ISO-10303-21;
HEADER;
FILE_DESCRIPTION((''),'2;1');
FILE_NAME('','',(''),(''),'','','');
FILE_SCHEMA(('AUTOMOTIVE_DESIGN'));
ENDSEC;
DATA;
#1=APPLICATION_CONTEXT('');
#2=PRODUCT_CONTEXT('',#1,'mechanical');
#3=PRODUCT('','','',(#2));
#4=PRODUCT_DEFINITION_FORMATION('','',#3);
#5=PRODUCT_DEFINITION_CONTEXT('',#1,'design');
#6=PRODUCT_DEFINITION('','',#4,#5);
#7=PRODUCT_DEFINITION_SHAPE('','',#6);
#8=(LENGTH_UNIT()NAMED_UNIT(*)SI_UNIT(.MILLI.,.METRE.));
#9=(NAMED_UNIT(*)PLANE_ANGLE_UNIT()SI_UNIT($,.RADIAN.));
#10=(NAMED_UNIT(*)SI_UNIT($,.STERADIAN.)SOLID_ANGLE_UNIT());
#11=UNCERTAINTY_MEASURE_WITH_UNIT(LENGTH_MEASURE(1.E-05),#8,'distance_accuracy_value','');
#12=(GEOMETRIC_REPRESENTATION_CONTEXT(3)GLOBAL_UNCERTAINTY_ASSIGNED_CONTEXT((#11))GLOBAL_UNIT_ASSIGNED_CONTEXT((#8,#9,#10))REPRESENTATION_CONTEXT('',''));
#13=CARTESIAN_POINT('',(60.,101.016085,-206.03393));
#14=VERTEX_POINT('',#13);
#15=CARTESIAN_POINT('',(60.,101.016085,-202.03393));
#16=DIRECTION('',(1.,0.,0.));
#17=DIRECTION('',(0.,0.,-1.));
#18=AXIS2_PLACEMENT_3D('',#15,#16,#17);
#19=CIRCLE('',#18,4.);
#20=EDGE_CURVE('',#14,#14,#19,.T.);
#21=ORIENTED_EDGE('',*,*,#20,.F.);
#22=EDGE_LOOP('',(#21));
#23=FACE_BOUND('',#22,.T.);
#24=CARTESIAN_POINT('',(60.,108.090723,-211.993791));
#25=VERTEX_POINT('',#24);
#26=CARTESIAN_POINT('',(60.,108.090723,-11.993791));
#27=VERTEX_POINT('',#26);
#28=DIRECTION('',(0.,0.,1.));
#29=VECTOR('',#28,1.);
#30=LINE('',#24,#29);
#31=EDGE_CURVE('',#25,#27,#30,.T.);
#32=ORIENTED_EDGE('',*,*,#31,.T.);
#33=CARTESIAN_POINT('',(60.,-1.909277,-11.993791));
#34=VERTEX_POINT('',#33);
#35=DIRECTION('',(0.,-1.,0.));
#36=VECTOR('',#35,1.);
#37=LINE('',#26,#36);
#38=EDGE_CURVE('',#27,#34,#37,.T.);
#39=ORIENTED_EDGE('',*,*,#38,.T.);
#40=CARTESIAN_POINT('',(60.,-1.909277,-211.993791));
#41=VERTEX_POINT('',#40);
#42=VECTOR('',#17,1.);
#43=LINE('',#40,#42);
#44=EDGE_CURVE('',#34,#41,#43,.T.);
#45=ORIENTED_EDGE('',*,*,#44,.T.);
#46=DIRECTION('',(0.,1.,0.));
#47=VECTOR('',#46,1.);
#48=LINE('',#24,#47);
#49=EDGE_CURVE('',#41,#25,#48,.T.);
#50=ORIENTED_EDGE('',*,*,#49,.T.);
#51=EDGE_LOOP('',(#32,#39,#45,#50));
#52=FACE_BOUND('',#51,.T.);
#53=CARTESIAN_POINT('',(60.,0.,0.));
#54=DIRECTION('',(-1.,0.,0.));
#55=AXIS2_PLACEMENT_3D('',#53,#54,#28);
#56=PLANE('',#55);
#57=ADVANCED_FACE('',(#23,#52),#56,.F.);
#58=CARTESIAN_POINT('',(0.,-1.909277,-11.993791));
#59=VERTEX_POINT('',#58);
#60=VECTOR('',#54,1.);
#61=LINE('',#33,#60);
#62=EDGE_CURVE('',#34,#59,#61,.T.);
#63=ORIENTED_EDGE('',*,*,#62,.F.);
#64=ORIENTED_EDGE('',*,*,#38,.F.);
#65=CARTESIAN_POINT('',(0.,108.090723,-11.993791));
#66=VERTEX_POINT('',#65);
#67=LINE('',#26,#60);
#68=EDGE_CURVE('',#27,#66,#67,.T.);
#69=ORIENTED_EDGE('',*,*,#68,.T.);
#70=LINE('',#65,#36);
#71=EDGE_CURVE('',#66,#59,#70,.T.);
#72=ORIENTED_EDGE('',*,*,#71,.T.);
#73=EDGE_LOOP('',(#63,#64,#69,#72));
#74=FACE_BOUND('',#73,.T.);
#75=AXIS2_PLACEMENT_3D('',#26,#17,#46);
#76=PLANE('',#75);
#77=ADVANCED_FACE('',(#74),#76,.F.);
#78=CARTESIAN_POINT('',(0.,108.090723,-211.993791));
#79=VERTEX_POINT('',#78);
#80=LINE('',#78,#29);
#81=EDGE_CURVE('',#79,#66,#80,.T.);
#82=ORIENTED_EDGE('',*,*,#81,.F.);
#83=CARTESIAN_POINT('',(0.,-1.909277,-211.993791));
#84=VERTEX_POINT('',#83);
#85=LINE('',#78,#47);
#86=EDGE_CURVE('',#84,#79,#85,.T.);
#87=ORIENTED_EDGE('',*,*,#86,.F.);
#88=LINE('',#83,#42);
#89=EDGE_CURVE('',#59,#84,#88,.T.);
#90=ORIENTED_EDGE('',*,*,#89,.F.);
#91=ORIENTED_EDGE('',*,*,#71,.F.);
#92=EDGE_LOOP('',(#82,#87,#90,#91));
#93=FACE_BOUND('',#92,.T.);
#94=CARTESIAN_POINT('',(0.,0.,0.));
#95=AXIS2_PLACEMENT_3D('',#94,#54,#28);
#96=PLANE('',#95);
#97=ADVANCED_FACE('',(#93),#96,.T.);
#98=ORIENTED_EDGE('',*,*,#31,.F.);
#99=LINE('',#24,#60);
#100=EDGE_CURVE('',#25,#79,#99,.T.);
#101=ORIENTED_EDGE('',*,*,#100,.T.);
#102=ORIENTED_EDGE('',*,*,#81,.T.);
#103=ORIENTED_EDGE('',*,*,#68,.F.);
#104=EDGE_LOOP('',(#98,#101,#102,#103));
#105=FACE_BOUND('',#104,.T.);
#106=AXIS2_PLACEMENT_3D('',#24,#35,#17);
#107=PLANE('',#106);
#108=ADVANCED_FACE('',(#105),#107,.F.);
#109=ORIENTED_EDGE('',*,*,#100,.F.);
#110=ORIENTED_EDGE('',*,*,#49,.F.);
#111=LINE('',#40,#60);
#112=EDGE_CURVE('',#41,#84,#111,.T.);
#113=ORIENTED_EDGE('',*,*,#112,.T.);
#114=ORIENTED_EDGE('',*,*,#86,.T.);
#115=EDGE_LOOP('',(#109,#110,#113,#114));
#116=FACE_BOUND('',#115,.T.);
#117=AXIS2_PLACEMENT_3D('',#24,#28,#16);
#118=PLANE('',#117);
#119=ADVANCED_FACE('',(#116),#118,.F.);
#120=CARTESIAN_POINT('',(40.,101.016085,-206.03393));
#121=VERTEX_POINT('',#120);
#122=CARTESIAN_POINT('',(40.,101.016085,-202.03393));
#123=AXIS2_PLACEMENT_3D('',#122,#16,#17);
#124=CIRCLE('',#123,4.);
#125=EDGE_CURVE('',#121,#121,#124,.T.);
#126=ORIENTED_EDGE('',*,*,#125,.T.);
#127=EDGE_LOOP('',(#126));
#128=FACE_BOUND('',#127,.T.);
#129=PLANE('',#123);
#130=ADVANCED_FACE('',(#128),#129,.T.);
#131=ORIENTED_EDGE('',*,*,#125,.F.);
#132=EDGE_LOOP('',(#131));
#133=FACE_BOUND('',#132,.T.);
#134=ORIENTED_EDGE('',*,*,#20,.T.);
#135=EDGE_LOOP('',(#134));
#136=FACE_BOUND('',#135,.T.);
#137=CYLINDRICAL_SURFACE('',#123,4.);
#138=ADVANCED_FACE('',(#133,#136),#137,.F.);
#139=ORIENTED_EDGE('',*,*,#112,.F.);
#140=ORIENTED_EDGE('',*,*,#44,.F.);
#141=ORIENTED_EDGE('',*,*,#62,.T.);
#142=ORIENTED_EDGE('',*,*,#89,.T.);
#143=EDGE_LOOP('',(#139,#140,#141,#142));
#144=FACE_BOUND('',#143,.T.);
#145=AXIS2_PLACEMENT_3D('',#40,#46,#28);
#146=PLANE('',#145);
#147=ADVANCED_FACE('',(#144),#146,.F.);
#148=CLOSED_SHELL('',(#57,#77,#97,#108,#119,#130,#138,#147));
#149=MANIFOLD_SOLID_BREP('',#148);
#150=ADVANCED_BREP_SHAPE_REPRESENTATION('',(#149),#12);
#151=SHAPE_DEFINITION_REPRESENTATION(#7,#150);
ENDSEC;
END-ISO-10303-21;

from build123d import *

# Parameters (mm, degrees)
SKETCH_1_W          = 200
SKETCH_1_H          = 110
EXTRUDE_1_DEPTH     = 60
SKETCH_3_R          = 4
CUT_EXTRUDE_2_DEPTH = 20


with BuildPart() as part:
    # Эскиз1 → Бобышка-Вытянуть1 (new body)
    with BuildSketch(Plane(origin=(0, 0, 0), x_dir=(0, 0, -1), z_dir=(1, 0, 0))):
        with Locations((111.99379123, 53.09072323)):
            Rectangle(SKETCH_1_W, SKETCH_1_H)
    extrude(amount=EXTRUDE_1_DEPTH)

    # Эскиз3 → Вырез-Вытянуть2 (cut)
    with BuildSketch(Plane(origin=(60, 0, 0), x_dir=(0, 0, -1), z_dir=(1, 0, 0))):
        with Locations((202.033930041, 101.016084536)):
            Circle(SKETCH_3_R)
    extrude(amount=-CUT_EXTRUDE_2_DEPTH, mode=Mode.SUBTRACT)


solid = part.part
